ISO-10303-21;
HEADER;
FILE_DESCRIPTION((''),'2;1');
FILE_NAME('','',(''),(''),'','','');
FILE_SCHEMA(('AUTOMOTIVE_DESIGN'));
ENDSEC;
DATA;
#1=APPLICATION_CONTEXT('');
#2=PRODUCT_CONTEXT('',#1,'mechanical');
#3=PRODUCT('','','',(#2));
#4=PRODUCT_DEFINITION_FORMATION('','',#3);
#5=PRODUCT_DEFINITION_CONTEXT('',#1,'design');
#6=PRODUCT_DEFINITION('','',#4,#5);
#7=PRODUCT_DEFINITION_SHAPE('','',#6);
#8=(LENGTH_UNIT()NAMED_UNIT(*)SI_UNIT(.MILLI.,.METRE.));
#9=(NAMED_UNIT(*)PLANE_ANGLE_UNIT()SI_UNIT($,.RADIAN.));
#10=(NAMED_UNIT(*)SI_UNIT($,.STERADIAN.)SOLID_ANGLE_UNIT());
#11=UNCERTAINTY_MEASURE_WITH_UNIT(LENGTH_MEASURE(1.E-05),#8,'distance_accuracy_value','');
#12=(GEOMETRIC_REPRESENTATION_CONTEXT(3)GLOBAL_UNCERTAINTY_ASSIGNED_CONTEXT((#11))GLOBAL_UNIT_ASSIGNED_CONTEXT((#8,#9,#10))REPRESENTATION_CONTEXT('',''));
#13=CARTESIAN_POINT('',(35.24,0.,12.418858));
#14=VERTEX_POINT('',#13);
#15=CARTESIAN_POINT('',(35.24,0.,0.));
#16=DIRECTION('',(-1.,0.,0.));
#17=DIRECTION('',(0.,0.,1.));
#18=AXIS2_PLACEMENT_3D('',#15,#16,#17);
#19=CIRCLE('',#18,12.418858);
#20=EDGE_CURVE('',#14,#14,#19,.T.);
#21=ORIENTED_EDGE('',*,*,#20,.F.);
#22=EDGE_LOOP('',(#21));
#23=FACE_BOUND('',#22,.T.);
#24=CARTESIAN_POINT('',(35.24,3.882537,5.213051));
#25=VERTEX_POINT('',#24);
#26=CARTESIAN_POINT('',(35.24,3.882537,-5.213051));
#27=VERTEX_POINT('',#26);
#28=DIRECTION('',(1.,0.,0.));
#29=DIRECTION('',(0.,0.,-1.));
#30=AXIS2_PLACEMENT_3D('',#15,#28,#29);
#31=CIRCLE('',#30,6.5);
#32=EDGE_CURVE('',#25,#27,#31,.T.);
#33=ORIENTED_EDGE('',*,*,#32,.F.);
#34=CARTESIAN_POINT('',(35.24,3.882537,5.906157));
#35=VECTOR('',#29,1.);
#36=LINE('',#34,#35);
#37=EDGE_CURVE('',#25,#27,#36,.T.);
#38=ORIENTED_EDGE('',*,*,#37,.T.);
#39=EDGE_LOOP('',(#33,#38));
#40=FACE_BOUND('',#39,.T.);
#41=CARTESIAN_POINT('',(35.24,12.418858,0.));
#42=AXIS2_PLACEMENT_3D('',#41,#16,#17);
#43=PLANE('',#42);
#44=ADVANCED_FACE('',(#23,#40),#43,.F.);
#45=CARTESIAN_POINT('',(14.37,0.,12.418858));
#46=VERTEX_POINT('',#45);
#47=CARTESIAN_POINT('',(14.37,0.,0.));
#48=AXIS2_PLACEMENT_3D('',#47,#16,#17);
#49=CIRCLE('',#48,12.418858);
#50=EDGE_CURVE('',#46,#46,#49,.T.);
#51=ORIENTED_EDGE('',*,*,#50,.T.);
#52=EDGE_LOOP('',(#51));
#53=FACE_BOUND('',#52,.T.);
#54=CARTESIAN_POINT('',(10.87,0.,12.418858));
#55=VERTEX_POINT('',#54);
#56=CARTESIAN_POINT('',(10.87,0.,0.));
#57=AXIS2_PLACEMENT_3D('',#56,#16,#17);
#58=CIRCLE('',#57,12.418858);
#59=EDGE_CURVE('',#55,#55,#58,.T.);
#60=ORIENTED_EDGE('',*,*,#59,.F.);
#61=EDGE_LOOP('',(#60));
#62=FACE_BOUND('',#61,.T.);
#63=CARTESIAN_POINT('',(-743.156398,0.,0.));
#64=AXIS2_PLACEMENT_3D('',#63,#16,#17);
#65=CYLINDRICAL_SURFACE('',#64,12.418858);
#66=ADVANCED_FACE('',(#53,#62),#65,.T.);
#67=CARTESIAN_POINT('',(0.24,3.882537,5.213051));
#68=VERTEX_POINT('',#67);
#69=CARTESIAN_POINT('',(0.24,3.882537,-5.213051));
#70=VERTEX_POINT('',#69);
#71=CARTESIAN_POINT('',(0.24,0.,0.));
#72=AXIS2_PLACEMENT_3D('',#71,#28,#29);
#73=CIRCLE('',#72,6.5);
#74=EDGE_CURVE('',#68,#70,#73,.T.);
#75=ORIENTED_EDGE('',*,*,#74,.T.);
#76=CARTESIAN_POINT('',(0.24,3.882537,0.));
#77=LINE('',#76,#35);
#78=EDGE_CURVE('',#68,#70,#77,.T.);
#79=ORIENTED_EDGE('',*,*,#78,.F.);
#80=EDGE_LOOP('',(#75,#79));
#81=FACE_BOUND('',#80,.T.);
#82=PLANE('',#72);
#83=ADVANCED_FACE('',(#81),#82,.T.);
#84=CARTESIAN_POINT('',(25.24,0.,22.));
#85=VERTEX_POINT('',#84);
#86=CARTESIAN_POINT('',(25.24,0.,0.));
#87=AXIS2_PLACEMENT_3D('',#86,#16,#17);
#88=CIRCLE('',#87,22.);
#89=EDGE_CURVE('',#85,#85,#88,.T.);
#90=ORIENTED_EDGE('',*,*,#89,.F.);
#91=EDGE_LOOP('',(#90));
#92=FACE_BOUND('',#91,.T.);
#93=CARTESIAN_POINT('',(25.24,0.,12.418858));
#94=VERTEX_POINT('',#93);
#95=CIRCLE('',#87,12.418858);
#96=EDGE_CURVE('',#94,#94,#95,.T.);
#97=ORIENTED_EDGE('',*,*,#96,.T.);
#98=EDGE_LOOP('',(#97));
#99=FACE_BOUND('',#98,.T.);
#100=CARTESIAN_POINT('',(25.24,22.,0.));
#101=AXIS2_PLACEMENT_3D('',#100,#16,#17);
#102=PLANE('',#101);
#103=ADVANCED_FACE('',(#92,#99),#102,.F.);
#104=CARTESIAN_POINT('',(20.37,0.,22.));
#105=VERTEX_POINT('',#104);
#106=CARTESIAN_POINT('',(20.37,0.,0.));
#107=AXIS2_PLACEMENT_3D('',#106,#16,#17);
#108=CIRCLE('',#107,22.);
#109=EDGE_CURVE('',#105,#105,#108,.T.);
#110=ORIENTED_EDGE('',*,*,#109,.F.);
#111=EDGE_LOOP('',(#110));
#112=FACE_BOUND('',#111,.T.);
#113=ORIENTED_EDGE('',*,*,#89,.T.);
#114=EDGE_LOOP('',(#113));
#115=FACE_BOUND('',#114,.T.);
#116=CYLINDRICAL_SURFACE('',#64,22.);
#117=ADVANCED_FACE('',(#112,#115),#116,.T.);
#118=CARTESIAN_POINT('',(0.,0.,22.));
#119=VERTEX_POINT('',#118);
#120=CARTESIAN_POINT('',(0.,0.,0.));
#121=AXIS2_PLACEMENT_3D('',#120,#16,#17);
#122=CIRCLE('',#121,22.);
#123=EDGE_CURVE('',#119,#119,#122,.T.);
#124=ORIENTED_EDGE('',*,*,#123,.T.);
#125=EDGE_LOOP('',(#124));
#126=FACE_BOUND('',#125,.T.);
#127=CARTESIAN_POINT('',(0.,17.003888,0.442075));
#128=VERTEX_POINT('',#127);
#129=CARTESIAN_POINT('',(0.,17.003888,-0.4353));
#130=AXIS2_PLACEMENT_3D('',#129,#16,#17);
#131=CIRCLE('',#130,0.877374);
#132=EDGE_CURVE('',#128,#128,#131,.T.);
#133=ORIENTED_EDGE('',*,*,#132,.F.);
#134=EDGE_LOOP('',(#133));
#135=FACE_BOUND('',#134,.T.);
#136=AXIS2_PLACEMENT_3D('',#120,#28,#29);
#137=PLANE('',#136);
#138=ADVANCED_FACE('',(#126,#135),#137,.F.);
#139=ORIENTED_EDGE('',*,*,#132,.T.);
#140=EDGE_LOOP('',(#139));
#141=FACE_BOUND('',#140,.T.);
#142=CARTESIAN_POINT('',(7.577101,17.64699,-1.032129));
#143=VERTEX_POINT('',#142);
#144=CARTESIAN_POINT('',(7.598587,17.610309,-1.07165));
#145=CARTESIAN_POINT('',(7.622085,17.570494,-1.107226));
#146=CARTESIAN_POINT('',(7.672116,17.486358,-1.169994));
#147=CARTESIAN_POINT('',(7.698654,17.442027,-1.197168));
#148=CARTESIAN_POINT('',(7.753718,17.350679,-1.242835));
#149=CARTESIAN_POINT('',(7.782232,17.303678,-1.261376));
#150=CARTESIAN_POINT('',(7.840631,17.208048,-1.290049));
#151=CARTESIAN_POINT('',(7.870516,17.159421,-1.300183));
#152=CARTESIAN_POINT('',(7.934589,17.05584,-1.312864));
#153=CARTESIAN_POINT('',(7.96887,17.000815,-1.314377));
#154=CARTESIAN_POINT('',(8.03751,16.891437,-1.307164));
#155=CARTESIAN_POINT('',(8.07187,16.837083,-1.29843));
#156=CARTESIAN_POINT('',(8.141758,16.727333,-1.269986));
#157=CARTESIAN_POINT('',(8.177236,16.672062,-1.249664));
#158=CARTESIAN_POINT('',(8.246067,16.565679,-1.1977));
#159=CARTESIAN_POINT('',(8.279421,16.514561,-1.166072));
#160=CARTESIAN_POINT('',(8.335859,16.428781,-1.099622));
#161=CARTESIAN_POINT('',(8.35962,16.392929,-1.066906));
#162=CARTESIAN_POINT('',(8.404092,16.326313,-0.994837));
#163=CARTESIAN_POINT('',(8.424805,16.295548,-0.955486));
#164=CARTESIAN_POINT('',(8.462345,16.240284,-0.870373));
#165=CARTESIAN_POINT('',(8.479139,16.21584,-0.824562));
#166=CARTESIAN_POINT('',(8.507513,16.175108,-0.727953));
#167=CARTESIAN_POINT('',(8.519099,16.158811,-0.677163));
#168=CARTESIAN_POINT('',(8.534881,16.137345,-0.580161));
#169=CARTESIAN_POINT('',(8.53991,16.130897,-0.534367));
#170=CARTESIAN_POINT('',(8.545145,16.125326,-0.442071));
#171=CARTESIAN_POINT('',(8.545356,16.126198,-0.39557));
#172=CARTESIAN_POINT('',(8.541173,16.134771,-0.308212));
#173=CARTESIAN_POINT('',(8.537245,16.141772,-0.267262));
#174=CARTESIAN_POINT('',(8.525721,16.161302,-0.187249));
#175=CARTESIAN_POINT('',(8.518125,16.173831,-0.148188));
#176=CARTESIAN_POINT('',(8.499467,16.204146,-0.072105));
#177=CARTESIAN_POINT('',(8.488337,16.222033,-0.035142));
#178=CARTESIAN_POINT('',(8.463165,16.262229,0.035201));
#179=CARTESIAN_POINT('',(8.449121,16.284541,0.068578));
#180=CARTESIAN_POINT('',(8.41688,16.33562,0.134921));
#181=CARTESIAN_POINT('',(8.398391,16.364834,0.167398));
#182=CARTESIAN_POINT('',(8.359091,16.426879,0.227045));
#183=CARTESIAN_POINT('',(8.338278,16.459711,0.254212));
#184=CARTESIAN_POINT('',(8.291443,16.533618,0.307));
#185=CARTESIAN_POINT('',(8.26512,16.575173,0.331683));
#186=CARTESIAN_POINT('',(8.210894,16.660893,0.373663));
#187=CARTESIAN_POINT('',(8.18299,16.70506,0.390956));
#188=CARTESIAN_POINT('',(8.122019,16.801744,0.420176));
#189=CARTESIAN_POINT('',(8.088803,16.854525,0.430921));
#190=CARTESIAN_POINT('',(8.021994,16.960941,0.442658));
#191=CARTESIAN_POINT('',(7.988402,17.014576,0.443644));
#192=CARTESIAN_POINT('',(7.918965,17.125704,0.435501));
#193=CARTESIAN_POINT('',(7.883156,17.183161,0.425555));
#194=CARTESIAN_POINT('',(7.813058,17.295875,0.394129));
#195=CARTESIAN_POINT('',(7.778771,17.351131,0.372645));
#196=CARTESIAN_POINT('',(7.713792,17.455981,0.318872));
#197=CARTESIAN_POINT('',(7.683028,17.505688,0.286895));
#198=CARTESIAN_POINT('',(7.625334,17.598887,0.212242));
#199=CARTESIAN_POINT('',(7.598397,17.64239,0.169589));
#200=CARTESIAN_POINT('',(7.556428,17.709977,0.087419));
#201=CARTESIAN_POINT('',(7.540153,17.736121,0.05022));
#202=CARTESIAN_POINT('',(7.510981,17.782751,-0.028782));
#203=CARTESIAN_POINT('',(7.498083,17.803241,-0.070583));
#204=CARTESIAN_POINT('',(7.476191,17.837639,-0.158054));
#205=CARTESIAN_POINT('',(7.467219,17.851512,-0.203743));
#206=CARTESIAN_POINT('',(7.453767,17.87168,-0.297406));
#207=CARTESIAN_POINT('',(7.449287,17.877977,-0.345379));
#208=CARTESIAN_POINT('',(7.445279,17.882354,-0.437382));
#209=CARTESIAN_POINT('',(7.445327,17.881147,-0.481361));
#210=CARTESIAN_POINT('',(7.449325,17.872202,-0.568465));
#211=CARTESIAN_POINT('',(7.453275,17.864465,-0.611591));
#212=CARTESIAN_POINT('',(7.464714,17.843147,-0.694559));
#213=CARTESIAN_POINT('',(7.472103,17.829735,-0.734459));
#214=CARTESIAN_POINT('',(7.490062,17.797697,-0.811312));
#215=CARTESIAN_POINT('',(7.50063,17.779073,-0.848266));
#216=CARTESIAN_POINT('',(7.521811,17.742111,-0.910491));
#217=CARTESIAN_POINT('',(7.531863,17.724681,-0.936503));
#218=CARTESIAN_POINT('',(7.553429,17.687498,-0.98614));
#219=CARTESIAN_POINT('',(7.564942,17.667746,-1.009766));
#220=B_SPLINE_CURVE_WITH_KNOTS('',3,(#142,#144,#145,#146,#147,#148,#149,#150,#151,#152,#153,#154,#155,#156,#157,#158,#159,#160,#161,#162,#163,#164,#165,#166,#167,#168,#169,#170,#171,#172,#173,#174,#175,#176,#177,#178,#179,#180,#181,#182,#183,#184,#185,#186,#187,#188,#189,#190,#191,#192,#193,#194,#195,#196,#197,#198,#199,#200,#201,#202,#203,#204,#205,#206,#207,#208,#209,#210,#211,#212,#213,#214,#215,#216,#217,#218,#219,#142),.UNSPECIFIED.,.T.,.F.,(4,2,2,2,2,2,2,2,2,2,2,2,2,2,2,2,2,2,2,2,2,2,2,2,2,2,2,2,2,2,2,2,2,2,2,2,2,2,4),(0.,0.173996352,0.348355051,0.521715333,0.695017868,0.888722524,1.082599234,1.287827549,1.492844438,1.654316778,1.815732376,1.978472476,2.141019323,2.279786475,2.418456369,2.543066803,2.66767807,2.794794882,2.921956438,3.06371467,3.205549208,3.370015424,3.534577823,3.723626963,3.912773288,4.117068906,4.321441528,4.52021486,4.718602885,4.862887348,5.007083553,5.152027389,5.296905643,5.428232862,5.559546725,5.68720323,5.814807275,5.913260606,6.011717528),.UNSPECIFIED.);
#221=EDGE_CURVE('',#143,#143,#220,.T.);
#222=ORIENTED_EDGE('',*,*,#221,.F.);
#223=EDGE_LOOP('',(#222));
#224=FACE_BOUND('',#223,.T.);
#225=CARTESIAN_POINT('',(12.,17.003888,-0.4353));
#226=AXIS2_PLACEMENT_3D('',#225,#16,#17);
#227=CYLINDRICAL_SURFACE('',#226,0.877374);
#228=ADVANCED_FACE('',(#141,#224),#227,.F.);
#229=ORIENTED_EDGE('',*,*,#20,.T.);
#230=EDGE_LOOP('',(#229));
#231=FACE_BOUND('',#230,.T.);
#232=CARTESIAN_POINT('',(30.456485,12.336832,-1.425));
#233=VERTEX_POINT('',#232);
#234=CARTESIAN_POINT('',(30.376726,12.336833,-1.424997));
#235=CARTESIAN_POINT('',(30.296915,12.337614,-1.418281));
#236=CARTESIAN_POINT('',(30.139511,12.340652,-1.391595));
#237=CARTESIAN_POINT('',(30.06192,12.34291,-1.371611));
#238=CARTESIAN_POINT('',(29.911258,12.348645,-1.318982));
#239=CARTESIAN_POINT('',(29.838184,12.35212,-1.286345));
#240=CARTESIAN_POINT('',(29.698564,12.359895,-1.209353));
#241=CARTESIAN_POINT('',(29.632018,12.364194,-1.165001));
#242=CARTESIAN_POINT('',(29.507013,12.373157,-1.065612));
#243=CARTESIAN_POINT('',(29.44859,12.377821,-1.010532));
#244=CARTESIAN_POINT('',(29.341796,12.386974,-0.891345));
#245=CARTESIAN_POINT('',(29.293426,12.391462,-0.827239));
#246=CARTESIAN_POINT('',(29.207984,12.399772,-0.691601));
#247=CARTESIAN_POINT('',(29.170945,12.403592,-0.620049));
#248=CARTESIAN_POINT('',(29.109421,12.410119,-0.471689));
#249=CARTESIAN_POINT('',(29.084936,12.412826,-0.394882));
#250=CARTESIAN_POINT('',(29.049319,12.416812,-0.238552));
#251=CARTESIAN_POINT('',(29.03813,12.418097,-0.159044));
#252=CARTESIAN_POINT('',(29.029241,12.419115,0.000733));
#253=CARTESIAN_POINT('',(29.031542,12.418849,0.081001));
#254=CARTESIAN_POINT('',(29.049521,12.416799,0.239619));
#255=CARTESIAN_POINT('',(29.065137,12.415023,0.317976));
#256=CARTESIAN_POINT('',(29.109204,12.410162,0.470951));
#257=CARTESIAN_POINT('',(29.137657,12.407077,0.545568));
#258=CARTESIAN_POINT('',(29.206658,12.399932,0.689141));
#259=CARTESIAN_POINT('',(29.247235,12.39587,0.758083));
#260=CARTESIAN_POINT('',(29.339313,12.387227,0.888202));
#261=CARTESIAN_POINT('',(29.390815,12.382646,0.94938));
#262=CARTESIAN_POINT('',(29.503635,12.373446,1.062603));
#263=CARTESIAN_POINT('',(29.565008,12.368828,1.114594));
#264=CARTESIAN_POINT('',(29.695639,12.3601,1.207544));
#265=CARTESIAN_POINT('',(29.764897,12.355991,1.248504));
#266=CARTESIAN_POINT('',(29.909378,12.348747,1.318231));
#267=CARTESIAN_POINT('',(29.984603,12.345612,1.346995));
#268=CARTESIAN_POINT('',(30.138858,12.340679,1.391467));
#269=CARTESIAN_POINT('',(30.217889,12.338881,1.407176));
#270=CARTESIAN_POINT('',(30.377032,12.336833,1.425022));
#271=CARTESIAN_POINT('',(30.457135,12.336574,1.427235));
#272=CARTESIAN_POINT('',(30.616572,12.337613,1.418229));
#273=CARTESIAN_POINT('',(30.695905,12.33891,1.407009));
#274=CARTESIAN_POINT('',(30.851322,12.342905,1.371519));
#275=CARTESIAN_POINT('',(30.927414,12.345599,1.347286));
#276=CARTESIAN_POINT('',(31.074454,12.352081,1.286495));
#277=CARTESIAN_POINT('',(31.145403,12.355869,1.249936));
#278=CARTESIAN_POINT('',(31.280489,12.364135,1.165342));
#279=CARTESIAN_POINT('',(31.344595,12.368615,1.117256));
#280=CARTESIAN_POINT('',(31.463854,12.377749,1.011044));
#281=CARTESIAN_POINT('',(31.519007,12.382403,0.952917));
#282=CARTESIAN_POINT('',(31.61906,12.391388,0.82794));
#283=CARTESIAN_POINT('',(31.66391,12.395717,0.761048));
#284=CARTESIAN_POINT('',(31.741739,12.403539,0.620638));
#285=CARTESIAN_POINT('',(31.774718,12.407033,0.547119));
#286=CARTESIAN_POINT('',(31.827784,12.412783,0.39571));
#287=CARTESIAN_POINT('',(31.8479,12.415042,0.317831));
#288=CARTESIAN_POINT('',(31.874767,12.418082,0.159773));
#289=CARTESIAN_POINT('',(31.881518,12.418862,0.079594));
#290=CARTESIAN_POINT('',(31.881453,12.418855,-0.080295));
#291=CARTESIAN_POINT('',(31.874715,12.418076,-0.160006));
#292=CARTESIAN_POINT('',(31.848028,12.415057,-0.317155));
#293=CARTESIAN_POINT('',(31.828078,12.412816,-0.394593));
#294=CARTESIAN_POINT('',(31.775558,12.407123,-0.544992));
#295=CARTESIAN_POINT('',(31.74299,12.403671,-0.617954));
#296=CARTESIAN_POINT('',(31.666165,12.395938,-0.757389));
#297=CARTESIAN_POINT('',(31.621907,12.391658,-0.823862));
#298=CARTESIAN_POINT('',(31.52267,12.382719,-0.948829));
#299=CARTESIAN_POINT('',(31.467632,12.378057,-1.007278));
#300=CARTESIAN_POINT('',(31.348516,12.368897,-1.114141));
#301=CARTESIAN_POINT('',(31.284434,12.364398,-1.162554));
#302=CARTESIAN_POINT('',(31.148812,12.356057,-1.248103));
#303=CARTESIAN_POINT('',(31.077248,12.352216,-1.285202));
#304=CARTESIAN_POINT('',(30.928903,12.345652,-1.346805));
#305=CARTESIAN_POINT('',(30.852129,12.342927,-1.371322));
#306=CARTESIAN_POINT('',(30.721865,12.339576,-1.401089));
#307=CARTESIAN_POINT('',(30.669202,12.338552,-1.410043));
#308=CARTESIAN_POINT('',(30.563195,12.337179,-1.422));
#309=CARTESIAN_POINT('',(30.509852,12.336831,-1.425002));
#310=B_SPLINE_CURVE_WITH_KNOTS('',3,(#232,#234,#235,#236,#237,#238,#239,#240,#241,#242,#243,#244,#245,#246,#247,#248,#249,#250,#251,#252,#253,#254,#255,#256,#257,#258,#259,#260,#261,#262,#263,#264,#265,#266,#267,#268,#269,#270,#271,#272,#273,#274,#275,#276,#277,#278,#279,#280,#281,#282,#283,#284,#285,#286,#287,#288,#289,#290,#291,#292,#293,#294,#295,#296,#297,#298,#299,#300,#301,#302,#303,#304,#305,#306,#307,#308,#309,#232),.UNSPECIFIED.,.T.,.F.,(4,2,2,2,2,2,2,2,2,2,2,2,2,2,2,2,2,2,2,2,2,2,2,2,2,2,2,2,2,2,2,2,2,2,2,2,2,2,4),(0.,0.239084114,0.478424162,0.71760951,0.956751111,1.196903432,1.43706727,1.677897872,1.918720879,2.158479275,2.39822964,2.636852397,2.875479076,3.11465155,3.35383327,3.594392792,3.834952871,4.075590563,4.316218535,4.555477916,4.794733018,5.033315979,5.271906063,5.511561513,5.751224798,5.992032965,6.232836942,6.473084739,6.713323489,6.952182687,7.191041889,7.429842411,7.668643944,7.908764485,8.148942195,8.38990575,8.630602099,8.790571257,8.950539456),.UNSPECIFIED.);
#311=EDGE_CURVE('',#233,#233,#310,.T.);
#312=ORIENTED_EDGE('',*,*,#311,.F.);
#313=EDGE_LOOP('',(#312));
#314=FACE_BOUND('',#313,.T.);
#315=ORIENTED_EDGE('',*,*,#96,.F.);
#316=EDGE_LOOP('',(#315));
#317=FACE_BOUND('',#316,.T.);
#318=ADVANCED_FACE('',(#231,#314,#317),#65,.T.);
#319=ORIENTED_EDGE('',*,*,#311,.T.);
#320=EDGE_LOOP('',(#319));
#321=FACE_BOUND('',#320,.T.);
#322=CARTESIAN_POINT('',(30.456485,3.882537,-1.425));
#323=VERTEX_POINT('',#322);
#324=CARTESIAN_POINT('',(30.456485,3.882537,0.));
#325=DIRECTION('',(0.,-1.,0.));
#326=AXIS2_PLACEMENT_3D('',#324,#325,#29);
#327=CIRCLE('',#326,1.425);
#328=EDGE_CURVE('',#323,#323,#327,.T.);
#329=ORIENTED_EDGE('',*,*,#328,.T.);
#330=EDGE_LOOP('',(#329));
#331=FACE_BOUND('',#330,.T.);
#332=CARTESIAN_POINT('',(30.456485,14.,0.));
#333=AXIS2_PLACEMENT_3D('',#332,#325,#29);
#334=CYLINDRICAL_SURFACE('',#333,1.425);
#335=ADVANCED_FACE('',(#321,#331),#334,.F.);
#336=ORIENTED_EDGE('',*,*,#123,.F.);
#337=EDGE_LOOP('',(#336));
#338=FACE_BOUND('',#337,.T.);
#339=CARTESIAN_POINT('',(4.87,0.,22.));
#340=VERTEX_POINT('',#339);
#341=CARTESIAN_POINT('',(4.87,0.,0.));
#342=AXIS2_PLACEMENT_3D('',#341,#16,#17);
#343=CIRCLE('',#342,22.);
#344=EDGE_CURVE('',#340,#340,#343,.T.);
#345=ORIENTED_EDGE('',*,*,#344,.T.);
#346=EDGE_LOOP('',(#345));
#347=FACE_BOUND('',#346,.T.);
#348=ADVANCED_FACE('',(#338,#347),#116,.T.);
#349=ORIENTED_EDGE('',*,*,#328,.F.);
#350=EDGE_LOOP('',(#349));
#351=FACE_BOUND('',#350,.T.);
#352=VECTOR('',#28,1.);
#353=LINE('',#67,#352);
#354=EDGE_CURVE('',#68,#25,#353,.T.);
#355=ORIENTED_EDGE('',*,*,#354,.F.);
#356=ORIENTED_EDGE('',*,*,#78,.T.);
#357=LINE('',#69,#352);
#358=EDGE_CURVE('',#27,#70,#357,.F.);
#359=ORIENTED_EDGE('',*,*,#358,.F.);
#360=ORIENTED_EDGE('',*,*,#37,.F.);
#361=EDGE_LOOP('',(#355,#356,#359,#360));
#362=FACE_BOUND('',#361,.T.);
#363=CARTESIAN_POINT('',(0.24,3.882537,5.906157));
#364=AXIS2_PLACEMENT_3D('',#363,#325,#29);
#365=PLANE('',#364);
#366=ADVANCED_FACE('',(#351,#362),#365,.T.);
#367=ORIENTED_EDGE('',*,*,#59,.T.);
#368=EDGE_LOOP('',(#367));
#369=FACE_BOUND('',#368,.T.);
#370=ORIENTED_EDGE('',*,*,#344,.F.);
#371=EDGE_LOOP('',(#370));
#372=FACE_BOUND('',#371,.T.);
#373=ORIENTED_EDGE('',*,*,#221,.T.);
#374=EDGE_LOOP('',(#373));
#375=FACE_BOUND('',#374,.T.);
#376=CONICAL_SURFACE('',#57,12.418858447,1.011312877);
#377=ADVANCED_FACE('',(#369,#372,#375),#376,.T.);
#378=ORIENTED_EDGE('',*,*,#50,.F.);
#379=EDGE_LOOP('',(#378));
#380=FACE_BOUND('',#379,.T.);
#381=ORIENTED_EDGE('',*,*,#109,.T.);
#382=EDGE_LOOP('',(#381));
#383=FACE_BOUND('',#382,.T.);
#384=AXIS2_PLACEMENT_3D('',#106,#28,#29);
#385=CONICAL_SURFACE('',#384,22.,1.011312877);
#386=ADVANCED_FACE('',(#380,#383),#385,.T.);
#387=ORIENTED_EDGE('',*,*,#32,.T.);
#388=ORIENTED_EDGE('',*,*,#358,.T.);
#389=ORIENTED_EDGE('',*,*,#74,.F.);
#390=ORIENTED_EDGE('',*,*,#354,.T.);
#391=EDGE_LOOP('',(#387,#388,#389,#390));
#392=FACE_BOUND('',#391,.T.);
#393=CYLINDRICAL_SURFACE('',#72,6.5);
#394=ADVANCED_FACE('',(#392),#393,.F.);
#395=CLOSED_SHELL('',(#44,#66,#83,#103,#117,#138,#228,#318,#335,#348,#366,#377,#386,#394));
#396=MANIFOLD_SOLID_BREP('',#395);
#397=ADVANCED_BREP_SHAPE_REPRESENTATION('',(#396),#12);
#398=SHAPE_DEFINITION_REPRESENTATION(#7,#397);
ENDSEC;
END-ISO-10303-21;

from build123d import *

# Parameters (mm, degrees)
SKETCH_2_R               = 1.385
CUT_EXTRUDE_1_DEPTH      = 10
SKETCH_3_R               = 6.5
CUT_EXTRUDE_2_DEPTH      = 35
CUT_EXTRUDE_3_DEPTH      = 2
CUT_EXTRUDE_3_DEPTH_BACK = 10
SKETCH_5_R               = 1.425
SKETCH_11_W              = 11.431167052
SKETCH_11_H              = 3.4
EXTRUDE_3_DEPTH          = 35
SKETCH_13_R              = 1.425
CUT_EXTRUDE_4_DEPTH      = 16
SKETCH_14_R              = 0.877374271
CUT_EXTRUDE_5_DEPTH      = 12


with BuildPart() as part:
    # 草圖1 → 旋轉1 (revolve)
    with BuildSketch(Plane.XY, mode=Mode.PRIVATE) as revolve_1_sk:
        Polygon((0, 0), (0, 22), (4.87, 22), (10.87, 12.418858447), (14.37, 12.418858447), (20.37, 22), (25.24, 22), (25.24, 12.418858447), (35.24, 12.418858447), (35.24, 0), align=None)
    revolve(revolve_1_sk.sketch.rotate(Axis((-743.15639781, 0, 0), (1, 0, 0)), 90), axis=Axis((-743.15639781, 0, 0), (1, 0, 0)))

    # 草圖2 → 除料-伸長1 (cut)
    with BuildSketch(Plane(origin=(0, 12, 0), x_dir=(1, 0, 0), z_dir=(0, 1, 0))):
        with Locations(Location((30.456485429, 0, 0), (0, 0, 270))):
            Circle(SKETCH_2_R)
    extrude(amount=-CUT_EXTRUDE_1_DEPTH, mode=Mode.SUBTRACT)

    # 草圖3 → 除料-伸長2 (cut)
    with BuildSketch(Plane(origin=(35.24, 0, 0), x_dir=(0, 0, -1), z_dir=(1, 0, 0))):
        Circle(SKETCH_3_R)
    extrude(amount=-CUT_EXTRUDE_2_DEPTH, mode=Mode.SUBTRACT)

    # 草圖5 → 除料-伸長3 (cut, two sides: drawn at the far end of the back side and taken through both)
    with BuildSketch(Plane(origin=(0, 12, 0), x_dir=(1, 0, 0), z_dir=(0, 1, 0)).offset(-CUT_EXTRUDE_3_DEPTH_BACK)):
        with Locations(Location((30.456485429, 0, 0), (0, 0, 90))):
            Circle(SKETCH_5_R)
    extrude(amount=CUT_EXTRUDE_3_DEPTH + CUT_EXTRUDE_3_DEPTH_BACK, mode=Mode.SUBTRACT)

    # 草圖11 → 填料-伸長3 (add)
    with BuildSketch(Plane(origin=(35.24, 0, 0), x_dir=(0, 0, -1), z_dir=(1, 0, 0))):
        with Locations((-0.190572982, 5.582537257)):
            Rectangle(SKETCH_11_W, SKETCH_11_H)
    extrude(amount=-EXTRUDE_3_DEPTH)

    # 草圖13 → 除料-伸長4 (cut)
    with BuildSketch(Plane(origin=(0, 12, 0), x_dir=(1, 0, 0), z_dir=(0, 1, 0))):
        with Locations(Location((30.456485429, 0, 0), (0, 0, 90))):
            Circle(SKETCH_13_R)
    extrude(amount=-CUT_EXTRUDE_4_DEPTH, mode=Mode.SUBTRACT)

    # 草圖14 → 除料-伸長5 (cut)
    with BuildSketch(Plane.ZY):
        with Locations((-0.435299539, 17.00388826)):
            Circle(SKETCH_14_R)
    extrude(amount=-CUT_EXTRUDE_5_DEPTH, mode=Mode.SUBTRACT)


solid = part.part
